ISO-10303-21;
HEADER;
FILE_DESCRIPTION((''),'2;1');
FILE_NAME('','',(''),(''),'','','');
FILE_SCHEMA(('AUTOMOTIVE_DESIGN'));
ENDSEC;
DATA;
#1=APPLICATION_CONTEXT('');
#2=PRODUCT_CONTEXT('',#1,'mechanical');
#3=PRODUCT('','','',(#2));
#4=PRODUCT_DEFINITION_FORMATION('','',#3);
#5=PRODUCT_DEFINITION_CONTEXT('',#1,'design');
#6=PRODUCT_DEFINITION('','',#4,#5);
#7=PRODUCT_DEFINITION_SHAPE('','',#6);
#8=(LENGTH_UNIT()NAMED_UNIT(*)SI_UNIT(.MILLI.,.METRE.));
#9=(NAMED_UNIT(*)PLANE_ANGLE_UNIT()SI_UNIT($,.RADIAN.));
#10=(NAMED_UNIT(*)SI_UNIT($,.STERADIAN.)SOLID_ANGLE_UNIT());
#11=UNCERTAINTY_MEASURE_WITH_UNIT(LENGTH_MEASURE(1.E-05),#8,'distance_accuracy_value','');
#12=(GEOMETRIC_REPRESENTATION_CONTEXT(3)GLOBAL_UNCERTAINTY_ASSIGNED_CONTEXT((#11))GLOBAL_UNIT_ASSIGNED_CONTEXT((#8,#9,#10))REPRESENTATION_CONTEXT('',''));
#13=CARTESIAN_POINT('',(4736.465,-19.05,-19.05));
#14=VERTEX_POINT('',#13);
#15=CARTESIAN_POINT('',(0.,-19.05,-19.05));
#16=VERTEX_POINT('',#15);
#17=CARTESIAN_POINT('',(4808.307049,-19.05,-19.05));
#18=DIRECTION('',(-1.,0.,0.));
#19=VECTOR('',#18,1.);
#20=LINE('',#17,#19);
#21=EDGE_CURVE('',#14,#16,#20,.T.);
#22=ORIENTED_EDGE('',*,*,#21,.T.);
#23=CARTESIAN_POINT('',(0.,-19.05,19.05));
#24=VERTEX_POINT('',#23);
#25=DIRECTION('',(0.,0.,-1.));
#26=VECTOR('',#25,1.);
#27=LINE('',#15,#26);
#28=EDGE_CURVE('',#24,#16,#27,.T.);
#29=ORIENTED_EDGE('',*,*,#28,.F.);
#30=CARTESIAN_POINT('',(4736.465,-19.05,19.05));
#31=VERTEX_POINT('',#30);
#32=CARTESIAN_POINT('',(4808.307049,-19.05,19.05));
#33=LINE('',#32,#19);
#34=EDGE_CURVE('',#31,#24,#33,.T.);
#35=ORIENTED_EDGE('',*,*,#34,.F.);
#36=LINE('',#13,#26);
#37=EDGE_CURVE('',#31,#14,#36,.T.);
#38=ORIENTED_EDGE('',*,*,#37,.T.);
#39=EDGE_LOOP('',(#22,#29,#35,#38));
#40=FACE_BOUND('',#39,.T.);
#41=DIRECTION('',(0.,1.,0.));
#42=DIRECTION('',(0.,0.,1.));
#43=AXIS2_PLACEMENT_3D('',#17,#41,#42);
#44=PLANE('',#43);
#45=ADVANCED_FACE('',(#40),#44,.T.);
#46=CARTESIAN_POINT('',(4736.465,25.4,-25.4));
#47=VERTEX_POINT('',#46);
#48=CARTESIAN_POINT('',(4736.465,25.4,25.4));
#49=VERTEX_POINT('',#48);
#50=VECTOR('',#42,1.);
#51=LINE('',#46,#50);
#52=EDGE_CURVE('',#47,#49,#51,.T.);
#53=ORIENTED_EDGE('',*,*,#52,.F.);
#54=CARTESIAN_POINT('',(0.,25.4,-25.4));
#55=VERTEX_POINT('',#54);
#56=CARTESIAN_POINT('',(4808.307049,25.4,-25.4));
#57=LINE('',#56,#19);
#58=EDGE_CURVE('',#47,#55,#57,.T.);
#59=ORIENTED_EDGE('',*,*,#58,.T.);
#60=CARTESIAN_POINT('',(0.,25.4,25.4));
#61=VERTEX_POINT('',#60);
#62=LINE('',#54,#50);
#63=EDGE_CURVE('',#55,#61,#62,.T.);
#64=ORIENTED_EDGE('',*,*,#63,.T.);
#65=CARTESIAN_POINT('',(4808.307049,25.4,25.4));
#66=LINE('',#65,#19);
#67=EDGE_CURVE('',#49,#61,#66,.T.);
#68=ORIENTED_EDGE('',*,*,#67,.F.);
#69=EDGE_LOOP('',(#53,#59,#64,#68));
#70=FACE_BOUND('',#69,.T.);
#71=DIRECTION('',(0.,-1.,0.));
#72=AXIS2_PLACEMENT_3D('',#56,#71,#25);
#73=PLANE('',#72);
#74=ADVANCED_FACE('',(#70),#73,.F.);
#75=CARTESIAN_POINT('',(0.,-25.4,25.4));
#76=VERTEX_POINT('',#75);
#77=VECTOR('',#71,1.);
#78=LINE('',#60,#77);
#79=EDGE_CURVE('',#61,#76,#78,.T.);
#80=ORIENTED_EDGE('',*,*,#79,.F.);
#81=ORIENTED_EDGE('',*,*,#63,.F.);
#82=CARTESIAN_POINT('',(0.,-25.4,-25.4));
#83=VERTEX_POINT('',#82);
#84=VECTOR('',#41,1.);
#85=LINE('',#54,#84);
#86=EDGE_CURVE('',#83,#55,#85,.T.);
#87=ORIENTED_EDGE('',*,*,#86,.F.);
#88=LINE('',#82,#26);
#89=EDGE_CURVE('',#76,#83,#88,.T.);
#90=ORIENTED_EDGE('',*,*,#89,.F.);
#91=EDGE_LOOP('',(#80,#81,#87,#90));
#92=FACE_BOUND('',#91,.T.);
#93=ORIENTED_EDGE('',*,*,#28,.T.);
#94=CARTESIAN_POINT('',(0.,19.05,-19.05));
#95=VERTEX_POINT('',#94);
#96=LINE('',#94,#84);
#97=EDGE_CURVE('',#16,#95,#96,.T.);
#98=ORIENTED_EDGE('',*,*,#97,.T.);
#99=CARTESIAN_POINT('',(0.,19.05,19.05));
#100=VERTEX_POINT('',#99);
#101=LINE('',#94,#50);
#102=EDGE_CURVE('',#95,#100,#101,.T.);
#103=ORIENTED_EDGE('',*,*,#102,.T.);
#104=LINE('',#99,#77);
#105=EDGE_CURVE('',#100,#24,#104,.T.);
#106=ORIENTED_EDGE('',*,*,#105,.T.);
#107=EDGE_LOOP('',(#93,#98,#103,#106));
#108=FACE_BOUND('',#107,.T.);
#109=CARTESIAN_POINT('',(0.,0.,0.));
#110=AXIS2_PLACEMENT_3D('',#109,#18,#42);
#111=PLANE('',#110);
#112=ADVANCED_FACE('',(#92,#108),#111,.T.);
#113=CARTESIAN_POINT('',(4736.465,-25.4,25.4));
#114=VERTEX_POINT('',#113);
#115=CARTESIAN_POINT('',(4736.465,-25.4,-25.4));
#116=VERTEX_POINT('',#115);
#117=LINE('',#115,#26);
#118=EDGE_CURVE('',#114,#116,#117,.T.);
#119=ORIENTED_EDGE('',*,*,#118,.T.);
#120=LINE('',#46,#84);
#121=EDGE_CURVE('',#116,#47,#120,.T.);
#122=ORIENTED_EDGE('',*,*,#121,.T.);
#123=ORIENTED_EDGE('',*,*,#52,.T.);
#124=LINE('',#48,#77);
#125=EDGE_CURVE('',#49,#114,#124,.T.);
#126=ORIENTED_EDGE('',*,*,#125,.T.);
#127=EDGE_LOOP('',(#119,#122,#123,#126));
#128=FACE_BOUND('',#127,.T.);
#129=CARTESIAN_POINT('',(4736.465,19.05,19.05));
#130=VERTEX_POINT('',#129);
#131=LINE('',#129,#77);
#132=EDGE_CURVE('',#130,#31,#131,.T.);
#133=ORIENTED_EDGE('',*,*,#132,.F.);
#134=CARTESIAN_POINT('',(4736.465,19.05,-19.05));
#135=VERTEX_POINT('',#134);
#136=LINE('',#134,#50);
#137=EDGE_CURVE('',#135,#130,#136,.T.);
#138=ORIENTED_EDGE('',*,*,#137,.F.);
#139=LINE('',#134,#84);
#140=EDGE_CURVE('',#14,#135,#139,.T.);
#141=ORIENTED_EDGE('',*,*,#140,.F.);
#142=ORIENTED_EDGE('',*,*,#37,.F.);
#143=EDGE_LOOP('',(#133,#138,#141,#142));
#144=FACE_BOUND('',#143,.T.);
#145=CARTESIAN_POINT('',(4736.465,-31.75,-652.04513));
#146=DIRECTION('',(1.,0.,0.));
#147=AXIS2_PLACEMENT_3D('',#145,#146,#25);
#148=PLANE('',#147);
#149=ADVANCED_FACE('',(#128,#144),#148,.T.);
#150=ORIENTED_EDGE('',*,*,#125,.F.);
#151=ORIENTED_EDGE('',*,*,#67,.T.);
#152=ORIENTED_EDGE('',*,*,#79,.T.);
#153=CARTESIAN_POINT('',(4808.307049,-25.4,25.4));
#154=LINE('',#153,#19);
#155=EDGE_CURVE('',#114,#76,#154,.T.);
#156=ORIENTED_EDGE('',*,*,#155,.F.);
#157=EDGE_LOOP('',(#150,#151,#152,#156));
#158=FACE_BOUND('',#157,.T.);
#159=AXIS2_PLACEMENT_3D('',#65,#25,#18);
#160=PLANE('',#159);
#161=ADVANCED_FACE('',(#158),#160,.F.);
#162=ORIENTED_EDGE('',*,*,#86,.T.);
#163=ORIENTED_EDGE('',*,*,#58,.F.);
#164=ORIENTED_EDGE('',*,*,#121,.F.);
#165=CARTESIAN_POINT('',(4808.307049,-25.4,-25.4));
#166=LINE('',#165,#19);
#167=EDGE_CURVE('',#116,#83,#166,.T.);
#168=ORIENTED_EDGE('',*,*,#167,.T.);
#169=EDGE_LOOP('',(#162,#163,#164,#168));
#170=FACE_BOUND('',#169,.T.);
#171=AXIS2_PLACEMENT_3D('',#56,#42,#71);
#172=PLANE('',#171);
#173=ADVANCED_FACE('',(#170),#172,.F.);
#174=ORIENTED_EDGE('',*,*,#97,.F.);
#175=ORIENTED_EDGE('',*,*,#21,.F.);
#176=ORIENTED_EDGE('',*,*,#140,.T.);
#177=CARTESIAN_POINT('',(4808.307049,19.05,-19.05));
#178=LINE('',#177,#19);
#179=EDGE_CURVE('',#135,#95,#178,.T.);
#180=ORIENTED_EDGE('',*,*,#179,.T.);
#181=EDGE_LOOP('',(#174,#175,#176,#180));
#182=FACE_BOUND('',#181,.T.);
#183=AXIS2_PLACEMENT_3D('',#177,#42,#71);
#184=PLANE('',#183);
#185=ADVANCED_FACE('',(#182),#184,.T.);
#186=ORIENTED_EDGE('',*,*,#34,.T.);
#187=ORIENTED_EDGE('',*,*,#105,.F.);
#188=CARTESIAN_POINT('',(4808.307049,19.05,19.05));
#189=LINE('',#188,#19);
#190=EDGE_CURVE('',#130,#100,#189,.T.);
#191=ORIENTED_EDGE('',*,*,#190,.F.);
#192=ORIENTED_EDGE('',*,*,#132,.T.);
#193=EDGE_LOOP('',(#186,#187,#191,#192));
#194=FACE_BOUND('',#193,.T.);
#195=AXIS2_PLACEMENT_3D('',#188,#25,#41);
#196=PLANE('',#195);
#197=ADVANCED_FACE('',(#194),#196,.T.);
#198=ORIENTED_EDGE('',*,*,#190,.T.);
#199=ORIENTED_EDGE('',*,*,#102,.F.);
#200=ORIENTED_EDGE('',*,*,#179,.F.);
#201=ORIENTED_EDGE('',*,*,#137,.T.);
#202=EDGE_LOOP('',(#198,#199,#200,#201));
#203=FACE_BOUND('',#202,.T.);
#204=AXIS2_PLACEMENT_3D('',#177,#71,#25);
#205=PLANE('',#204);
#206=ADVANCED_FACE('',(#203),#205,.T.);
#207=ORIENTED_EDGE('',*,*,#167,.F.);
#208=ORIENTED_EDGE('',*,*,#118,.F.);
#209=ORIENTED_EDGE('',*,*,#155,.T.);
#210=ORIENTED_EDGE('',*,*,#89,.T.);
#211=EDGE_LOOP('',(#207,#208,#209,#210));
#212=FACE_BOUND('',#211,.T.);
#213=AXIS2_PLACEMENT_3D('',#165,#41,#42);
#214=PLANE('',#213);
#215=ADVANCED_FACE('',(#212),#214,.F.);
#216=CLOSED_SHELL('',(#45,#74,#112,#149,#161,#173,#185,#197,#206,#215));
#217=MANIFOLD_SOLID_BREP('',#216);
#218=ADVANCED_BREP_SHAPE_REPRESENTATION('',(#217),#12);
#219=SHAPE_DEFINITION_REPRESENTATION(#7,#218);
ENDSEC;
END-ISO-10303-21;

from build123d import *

# Parameters (mm, degrees)
SKETCH1_W           = 50.8
SKETCH1_H           = 50.8
SKETCH1_W_2         = 38.1
SKETCH1_H_2         = 38.1
BOSS_EXTRUDE1_DEPTH = 4736.465


with BuildPart() as part:
    # Sketch1 → Boss-Extrude1 (new body)
    with BuildSketch(Plane(origin=(0, 0, 0), x_dir=(0, 0, -1), z_dir=(1, 0, 0))):
        Rectangle(SKETCH1_W, SKETCH1_H)
        Rectangle(SKETCH1_W_2, SKETCH1_H_2, mode=Mode.SUBTRACT)
    extrude(amount=BOSS_EXTRUDE1_DEPTH)


solid = part.part
